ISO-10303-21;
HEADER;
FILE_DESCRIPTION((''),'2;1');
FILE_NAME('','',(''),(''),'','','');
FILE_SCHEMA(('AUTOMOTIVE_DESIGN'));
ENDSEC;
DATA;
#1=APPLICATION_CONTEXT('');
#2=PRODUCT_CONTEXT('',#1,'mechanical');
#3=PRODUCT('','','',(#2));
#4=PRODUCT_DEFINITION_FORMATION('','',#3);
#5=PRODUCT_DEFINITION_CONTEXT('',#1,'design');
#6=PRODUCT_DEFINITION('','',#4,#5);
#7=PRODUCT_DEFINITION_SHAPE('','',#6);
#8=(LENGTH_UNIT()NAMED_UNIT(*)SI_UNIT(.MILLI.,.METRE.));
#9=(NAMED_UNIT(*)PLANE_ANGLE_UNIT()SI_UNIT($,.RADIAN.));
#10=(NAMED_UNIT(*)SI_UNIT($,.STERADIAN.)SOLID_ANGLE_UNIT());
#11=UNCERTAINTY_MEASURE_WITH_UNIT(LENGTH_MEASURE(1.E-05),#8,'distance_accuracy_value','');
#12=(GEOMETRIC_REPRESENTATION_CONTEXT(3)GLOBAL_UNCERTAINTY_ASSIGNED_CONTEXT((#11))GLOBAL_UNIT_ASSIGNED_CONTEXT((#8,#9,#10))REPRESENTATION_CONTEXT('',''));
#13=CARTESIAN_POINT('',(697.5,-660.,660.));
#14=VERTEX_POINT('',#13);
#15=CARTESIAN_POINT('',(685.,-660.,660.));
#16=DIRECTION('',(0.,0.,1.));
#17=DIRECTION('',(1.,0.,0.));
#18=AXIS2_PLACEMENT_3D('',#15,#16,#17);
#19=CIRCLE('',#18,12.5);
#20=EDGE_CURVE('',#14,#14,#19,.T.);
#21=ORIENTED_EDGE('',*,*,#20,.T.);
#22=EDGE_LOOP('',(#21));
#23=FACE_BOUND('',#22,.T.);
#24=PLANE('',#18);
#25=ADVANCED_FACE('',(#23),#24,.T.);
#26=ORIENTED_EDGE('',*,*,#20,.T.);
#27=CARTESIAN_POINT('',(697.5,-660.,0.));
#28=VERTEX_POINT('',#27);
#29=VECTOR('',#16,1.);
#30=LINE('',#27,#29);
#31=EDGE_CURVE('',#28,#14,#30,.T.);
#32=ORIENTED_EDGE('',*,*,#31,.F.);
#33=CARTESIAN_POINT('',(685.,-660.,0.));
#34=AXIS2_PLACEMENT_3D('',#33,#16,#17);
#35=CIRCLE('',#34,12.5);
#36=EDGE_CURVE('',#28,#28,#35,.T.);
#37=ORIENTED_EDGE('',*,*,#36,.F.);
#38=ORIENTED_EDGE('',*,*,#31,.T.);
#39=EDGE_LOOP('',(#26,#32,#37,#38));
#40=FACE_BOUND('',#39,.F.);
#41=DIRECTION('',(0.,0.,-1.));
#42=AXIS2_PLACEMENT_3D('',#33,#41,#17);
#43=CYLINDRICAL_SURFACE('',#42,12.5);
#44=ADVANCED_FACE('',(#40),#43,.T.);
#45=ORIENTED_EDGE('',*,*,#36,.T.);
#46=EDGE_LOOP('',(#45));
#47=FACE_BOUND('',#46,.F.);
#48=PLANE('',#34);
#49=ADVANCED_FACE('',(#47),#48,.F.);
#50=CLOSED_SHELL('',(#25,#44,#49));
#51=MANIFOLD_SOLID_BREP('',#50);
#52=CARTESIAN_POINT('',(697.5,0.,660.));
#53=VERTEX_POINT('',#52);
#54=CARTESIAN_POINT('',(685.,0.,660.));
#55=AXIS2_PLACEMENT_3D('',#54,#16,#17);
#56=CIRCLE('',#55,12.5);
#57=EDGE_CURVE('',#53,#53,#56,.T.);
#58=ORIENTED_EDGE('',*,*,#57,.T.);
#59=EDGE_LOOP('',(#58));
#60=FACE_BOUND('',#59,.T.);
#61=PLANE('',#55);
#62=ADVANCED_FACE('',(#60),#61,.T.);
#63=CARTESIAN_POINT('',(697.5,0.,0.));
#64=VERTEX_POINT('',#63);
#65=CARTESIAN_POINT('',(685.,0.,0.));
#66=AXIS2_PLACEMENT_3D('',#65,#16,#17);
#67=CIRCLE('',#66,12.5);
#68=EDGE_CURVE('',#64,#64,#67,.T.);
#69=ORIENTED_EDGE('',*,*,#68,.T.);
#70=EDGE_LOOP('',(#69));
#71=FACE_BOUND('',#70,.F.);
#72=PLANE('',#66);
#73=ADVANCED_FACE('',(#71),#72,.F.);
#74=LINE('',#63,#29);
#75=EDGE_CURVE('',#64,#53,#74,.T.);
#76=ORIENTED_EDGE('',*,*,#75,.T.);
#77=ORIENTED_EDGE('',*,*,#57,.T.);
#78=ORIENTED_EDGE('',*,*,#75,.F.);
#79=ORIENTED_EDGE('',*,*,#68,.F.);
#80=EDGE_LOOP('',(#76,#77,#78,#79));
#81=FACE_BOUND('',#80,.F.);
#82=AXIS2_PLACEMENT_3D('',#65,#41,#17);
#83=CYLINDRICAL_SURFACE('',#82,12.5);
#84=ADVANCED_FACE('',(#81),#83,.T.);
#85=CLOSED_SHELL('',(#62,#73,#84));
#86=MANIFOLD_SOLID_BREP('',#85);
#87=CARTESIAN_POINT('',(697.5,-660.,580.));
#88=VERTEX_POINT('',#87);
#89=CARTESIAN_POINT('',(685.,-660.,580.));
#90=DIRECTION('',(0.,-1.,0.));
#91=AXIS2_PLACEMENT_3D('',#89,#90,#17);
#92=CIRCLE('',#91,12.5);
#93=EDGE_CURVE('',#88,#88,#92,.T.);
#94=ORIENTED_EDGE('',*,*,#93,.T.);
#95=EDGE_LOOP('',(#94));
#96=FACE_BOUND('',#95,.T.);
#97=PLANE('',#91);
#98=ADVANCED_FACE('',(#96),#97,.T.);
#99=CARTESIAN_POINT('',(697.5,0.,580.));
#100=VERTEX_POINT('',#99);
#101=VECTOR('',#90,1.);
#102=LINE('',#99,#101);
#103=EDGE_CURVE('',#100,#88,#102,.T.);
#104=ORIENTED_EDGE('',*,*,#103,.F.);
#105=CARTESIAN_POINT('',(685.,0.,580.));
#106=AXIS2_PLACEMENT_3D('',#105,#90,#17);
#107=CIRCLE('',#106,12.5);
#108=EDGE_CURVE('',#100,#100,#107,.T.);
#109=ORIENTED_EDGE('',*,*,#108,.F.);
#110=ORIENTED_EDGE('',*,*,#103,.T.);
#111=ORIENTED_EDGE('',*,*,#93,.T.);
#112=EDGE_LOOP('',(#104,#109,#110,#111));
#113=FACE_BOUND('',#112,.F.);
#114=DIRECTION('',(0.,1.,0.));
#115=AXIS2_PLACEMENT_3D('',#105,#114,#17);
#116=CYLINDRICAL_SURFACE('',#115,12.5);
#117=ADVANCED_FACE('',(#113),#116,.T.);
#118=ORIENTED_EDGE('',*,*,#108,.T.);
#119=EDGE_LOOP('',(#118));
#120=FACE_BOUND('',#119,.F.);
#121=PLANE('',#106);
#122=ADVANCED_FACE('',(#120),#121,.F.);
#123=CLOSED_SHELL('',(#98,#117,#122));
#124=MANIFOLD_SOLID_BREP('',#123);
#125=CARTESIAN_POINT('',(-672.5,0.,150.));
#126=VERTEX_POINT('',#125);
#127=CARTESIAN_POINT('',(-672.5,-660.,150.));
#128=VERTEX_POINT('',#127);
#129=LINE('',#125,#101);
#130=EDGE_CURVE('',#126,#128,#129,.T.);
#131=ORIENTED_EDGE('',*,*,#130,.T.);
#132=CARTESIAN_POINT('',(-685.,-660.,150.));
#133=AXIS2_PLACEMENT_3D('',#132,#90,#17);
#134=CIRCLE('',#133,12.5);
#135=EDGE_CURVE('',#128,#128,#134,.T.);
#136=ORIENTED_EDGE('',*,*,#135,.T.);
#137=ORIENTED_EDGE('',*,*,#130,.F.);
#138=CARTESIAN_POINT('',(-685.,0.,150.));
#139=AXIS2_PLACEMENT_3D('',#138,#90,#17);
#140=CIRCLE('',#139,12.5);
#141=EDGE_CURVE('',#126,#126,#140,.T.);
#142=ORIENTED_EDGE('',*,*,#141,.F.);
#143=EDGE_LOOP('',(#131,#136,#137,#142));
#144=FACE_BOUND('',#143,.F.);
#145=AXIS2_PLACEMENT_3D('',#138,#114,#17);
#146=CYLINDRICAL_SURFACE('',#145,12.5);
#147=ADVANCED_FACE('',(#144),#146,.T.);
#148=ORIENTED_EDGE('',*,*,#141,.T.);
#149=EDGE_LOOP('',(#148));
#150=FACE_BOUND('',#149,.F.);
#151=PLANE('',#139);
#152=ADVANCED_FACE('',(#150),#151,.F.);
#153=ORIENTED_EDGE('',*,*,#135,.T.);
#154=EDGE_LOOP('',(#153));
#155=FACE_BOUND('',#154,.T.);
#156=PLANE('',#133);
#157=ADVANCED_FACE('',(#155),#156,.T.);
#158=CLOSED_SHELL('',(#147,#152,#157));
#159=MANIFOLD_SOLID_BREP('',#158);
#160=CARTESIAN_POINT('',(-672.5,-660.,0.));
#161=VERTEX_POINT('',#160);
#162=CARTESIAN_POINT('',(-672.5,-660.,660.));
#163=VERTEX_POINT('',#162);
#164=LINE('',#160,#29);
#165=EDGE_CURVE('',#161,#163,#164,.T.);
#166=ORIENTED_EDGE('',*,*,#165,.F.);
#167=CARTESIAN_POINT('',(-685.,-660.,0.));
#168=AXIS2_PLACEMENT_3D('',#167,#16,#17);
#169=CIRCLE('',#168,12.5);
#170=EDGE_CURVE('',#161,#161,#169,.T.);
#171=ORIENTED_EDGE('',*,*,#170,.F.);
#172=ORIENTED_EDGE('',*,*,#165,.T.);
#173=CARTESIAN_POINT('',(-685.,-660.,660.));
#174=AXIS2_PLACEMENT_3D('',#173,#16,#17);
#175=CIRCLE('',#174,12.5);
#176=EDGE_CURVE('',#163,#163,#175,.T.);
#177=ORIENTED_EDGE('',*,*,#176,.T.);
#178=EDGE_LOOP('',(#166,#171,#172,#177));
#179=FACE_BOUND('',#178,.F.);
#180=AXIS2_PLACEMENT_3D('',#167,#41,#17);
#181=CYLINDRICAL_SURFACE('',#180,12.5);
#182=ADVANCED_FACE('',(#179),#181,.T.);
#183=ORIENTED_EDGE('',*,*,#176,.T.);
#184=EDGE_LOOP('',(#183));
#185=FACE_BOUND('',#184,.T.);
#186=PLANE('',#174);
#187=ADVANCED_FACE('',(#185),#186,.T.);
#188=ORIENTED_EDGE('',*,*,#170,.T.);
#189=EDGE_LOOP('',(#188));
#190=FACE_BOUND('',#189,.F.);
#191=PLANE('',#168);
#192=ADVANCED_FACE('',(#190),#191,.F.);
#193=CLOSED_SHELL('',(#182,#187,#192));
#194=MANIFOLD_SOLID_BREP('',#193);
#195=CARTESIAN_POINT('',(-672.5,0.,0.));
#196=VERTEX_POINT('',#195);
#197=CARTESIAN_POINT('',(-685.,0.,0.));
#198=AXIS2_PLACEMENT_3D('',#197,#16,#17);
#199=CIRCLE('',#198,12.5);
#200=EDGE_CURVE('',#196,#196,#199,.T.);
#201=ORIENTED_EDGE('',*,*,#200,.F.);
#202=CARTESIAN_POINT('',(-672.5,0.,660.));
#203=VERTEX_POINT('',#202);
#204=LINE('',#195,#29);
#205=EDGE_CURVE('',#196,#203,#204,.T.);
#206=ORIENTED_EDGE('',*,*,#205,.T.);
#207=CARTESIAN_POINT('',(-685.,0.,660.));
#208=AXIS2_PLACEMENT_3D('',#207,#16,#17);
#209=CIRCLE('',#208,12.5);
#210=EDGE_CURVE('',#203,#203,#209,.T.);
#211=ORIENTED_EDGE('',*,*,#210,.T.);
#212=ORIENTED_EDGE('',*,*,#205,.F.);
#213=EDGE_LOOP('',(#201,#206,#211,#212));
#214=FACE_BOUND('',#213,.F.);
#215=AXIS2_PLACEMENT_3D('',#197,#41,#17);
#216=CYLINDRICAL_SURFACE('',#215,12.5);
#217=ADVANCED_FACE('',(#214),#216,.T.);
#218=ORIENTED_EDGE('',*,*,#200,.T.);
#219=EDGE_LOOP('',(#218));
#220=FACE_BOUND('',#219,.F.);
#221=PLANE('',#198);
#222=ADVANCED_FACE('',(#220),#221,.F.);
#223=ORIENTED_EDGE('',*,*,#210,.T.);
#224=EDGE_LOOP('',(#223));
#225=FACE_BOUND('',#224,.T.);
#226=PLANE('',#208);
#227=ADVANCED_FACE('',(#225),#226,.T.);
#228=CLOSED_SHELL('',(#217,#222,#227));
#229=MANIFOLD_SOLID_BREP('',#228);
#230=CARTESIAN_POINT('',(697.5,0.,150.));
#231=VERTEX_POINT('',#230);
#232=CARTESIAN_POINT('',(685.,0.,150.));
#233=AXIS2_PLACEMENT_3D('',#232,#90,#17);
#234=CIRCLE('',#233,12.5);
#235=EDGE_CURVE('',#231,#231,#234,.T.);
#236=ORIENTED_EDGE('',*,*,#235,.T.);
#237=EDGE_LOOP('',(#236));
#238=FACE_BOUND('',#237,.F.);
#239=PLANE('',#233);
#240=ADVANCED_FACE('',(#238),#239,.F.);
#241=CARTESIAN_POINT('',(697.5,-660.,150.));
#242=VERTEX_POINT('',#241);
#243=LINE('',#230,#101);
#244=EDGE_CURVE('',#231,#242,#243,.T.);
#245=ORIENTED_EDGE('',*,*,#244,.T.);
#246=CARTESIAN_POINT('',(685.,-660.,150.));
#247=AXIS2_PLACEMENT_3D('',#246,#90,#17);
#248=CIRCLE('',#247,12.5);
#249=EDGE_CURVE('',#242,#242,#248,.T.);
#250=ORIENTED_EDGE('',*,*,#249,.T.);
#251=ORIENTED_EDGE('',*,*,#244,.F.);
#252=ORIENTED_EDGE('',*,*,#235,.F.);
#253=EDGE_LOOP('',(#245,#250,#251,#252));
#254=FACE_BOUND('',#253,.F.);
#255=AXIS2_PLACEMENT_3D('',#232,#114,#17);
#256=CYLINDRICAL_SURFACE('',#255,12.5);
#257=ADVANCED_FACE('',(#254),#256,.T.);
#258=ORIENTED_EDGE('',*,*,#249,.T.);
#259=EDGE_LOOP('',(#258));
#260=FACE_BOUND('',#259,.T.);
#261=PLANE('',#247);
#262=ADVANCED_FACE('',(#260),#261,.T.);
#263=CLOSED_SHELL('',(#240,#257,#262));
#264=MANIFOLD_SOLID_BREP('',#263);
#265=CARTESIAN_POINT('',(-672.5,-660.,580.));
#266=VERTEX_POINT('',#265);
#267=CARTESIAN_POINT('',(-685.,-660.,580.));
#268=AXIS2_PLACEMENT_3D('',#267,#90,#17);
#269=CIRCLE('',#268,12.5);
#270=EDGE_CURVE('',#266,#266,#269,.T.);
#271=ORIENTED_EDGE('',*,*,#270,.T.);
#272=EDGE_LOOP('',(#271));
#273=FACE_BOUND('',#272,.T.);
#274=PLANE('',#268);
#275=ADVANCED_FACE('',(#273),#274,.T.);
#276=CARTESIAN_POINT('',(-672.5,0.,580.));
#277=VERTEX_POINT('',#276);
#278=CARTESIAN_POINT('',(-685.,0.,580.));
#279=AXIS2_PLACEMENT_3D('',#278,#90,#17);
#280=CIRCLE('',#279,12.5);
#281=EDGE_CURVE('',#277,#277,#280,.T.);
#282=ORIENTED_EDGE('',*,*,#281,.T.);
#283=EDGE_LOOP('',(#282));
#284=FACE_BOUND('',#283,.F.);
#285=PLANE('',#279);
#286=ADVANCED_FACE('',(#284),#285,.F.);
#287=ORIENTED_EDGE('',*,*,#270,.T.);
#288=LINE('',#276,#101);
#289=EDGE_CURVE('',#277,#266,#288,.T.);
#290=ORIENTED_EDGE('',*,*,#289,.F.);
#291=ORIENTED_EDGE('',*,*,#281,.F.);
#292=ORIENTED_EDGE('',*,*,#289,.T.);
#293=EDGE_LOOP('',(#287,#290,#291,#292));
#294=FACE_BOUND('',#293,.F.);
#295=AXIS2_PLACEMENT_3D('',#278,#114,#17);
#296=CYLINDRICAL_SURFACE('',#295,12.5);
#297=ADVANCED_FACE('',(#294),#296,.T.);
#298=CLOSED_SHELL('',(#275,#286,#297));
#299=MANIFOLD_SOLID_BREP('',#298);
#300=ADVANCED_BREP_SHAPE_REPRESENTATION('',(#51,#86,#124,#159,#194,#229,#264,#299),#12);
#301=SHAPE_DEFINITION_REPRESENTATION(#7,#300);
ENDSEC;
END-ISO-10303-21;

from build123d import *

# Parameters (mm, degrees)
F0_R     = 12.5
F1_DEPTH = 660
F2_R     = 12.5
F3_DEPTH = 660


with BuildPart() as f1:
    # F0 (on Top) → F1 (new body)
    with BuildSketch(Plane.XY):
        with Locations((-685, 0)):
            Circle(F0_R)
        with Locations((-685, -660)):
            Circle(F0_R)
        with Locations((685, -660)):
            Circle(F0_R)
        with Locations((685, 0)):
            Circle(F0_R)
    extrude(amount=F1_DEPTH)


with BuildPart() as f3:
    # F2 (on Front) → F3 (new body)
    with BuildSketch(Plane.XZ):
        with Locations((-685, 580)):
            Circle(F2_R)
        with Locations((-685, 150)):
            Circle(F2_R)
        with Locations((685, 580)):
            Circle(F2_R)
        with Locations((685, 150)):
            Circle(F2_R)
    extrude(amount=F3_DEPTH)


solid = Compound([f1.part, f3.part])
